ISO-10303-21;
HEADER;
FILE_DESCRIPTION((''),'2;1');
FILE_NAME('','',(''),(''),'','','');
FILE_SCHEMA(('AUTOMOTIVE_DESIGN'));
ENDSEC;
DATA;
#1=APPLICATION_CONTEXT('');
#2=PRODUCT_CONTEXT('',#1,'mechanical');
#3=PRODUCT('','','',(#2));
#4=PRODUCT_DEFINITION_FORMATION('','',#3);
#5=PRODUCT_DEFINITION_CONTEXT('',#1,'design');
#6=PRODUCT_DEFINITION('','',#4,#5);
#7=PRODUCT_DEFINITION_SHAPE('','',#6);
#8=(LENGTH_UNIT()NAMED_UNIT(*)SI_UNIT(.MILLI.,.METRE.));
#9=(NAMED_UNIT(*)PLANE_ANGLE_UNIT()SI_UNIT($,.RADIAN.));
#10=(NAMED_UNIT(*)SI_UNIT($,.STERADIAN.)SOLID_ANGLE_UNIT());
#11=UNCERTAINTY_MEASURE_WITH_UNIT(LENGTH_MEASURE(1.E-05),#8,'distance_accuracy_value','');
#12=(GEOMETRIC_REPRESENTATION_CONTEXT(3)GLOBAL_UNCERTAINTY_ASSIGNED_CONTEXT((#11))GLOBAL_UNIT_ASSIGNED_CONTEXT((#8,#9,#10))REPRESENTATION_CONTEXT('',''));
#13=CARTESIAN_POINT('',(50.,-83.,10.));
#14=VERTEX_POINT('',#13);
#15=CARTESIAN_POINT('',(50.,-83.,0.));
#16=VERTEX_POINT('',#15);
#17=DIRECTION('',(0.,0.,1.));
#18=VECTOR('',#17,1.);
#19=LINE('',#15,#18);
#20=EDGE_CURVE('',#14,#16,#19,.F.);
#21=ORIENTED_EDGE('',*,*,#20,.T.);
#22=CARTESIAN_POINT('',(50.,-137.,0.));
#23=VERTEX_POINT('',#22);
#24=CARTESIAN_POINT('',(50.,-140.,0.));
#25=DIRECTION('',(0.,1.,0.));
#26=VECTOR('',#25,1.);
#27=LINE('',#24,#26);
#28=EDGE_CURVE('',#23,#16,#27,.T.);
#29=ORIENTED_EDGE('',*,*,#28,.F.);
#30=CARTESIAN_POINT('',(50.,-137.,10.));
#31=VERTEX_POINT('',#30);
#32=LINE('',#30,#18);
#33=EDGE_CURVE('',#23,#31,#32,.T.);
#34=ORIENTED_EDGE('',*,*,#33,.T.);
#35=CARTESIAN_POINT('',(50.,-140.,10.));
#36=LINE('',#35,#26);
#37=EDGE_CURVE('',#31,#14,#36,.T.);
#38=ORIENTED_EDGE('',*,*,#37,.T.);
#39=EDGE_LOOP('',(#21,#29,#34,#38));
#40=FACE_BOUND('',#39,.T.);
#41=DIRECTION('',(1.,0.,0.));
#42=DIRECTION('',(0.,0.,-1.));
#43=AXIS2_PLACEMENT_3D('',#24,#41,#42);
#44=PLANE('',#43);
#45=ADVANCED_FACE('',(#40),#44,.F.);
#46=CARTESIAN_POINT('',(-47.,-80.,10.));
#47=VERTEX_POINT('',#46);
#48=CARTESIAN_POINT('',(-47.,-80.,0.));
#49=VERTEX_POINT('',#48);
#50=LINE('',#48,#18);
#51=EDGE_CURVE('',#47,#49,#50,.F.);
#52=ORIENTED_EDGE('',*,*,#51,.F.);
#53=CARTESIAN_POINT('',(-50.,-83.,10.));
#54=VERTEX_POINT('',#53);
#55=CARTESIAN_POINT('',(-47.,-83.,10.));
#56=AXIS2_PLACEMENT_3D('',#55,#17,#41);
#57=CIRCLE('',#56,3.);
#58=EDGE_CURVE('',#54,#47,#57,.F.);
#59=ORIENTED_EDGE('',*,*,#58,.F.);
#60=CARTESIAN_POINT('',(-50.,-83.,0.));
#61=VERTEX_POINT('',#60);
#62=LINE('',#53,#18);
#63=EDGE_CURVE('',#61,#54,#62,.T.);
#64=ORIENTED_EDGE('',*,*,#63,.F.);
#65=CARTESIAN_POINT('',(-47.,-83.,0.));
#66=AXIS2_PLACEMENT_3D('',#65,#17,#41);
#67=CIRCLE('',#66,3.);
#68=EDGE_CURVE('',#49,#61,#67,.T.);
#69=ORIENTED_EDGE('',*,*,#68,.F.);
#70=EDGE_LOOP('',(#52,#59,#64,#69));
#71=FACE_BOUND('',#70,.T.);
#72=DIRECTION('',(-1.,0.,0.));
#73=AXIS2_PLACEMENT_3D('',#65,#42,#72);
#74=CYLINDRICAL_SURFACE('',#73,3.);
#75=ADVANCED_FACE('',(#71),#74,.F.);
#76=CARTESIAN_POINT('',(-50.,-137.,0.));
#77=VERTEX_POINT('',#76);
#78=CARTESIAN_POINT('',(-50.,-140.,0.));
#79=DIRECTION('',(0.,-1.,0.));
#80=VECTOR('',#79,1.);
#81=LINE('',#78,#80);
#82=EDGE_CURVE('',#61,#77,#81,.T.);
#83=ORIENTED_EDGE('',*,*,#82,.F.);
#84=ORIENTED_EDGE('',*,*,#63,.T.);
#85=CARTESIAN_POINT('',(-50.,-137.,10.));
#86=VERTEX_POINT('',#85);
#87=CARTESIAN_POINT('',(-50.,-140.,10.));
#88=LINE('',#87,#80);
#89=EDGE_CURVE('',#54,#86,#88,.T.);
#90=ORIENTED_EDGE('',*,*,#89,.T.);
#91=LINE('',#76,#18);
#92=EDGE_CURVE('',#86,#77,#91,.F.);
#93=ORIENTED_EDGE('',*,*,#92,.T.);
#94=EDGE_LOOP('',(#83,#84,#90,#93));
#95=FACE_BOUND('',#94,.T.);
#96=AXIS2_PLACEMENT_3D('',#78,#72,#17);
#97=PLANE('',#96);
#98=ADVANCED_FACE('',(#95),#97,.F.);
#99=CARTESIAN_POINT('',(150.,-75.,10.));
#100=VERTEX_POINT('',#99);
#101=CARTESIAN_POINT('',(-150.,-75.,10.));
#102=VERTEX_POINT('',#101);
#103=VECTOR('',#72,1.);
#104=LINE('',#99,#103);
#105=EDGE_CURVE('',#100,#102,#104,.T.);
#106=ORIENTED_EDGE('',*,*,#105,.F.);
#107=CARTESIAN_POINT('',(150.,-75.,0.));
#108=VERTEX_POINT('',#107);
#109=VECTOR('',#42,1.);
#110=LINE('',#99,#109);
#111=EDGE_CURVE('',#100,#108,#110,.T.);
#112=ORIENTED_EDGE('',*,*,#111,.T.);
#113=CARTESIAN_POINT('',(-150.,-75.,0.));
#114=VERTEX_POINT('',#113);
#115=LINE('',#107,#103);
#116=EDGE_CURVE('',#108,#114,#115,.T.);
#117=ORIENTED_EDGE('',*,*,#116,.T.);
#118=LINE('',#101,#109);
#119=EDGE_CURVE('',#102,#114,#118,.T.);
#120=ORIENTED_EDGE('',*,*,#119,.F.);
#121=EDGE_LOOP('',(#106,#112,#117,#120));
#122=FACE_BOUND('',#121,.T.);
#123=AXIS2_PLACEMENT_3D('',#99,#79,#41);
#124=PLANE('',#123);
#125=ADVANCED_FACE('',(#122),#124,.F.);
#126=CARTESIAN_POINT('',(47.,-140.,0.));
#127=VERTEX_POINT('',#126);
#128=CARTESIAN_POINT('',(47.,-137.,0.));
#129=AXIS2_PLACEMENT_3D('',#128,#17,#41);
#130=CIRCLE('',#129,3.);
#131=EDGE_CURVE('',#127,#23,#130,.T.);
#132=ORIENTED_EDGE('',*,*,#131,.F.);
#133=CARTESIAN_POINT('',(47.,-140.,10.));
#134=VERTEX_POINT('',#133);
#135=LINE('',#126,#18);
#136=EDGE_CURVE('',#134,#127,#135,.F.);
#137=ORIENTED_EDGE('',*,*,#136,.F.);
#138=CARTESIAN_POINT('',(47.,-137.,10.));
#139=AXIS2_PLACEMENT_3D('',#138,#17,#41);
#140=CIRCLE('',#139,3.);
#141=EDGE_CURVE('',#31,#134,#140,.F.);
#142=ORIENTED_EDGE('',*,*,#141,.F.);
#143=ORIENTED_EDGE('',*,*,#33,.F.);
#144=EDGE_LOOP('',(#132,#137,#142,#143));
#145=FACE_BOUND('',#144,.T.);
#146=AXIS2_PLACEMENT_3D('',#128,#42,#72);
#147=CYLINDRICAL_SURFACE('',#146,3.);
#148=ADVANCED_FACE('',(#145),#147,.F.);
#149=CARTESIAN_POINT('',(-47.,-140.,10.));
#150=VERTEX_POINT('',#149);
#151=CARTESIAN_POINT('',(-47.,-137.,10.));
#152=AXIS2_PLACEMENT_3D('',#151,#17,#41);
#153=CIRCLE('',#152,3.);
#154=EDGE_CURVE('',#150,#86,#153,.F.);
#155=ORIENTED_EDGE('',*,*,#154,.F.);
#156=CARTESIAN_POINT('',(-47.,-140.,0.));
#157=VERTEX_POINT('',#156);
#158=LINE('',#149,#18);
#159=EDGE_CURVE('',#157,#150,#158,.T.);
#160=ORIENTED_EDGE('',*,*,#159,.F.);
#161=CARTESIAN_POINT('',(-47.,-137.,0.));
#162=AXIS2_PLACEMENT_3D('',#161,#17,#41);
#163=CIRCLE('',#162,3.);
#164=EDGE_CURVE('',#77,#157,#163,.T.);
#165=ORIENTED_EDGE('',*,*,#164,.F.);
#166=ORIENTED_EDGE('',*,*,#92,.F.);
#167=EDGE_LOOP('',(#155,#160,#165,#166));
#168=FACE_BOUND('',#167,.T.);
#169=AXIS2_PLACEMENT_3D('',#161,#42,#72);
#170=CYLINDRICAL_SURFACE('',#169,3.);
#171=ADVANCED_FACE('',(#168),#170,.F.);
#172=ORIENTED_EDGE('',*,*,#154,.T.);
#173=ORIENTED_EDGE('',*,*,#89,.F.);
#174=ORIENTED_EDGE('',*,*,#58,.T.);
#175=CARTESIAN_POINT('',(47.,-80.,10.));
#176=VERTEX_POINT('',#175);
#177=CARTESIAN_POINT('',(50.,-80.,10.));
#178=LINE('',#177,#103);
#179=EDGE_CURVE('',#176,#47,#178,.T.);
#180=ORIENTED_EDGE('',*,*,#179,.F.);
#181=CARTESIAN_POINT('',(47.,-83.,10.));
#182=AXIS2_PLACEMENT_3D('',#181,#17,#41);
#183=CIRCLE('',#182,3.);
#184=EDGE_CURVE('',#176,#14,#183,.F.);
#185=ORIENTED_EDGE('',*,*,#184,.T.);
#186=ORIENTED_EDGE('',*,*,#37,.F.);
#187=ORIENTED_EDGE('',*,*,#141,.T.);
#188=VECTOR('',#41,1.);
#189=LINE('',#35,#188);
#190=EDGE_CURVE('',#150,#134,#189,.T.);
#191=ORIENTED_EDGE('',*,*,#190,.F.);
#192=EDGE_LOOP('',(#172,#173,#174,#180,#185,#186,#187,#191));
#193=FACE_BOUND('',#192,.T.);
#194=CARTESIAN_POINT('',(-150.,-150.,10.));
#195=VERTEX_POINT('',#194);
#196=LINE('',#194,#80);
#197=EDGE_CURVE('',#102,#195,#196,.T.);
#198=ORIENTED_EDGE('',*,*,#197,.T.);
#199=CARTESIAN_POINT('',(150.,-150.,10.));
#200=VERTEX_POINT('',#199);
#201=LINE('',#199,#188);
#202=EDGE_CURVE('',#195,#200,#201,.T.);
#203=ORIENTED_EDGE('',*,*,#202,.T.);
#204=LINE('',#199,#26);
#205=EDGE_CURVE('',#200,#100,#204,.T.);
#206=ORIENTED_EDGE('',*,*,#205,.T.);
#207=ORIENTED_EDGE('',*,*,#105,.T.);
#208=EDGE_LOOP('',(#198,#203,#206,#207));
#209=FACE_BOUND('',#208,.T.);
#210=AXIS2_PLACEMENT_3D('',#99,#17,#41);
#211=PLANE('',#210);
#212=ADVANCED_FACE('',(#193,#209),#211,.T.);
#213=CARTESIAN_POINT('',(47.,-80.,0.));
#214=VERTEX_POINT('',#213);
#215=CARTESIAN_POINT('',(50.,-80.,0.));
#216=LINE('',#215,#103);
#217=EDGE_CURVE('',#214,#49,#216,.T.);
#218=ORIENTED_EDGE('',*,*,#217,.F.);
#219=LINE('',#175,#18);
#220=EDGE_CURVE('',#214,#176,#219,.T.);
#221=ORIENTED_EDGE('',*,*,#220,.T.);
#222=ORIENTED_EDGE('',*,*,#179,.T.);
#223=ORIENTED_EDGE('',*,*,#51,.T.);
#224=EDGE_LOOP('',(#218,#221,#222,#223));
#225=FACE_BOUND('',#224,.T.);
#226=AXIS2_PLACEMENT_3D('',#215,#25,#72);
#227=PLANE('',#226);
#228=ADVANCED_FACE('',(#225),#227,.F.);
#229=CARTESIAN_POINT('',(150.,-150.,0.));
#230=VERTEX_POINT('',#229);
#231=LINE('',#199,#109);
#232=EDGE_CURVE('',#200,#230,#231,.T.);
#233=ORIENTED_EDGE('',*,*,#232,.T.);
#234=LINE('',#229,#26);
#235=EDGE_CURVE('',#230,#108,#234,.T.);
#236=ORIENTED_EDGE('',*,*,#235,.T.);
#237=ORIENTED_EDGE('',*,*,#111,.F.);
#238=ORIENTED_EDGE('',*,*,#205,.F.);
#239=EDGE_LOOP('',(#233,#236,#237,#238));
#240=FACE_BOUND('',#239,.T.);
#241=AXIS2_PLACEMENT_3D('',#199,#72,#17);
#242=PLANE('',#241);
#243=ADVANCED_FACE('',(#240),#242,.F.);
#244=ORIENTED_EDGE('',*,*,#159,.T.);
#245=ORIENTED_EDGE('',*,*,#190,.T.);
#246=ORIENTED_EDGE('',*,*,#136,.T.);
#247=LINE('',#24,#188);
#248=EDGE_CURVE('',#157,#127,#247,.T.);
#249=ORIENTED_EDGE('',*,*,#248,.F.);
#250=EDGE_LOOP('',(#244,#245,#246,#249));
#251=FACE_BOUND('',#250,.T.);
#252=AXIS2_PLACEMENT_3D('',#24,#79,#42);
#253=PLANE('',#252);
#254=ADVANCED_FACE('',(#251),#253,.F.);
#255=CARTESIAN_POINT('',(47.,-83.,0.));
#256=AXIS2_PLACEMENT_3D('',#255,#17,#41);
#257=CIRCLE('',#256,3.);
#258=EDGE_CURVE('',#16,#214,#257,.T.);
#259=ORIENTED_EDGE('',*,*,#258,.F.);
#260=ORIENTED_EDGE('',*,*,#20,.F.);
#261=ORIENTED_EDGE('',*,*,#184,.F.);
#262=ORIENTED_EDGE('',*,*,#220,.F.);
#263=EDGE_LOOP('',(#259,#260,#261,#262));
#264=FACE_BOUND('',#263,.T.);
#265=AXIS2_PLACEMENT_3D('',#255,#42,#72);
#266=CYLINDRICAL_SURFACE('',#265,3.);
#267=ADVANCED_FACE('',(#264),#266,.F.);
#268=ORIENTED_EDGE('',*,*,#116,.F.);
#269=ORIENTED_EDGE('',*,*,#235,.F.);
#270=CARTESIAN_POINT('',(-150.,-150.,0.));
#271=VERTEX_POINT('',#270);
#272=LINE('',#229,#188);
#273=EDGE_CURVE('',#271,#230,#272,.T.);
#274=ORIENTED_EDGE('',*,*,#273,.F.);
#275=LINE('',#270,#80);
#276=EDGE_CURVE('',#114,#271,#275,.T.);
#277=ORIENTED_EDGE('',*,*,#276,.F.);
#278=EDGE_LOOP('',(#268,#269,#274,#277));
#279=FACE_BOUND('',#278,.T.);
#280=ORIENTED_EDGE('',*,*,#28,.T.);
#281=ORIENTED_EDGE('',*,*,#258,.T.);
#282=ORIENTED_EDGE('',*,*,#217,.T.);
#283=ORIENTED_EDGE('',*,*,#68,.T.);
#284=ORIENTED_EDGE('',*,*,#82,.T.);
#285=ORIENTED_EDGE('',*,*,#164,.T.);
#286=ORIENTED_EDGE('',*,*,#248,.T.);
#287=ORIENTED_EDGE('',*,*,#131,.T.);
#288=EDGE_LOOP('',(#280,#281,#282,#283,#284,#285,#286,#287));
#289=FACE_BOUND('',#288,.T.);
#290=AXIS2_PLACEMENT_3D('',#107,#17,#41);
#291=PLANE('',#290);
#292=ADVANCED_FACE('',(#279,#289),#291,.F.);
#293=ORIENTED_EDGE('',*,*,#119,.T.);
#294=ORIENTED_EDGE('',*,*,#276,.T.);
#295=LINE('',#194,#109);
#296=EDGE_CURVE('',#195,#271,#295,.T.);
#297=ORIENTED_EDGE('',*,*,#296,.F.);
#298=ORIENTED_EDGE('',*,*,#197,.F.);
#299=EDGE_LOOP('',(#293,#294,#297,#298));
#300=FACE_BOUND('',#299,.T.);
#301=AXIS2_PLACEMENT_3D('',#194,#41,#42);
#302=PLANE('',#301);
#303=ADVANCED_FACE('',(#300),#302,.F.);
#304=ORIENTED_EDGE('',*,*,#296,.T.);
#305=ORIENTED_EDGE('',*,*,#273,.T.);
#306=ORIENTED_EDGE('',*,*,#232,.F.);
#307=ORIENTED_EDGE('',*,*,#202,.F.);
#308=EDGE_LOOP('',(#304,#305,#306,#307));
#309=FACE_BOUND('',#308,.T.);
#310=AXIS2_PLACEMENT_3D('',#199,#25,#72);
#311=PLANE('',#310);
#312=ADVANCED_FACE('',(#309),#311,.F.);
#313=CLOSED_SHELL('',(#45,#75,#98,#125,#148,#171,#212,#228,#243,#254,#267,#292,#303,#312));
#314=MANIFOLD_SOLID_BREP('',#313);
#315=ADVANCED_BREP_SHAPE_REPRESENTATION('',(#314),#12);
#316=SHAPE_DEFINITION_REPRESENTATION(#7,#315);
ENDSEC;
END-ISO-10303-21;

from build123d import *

# Parameters (mm, degrees)
SKIZZE1_W                       = 300
SKIZZE1_H                       = 75
LINEAR_AUSTRAGEN1_DEPTH         = 10
SKIZZE2_W                       = 100
SKIZZE2_H                       = 60
SCHNITT_LINEAR_AUSTRAGEN1_DEPTH = 10
VERRUNDUNG1_R                   = 3


with BuildPart() as part:
    # Skizze1 → Linear austragen1 (new body)
    with BuildSketch(Plane.XY):
        with Locations((0, -112.5)):
            Rectangle(SKIZZE1_W, SKIZZE1_H)
    extrude(amount=LINEAR_AUSTRAGEN1_DEPTH)

    # Skizze2 → Schnitt-Linear austragen1 (cut)
    with BuildSketch(Plane.XY.offset(10)):
        with Locations((0, -110)):
            Rectangle(SKIZZE2_W, SKIZZE2_H)
    extrude(amount=-SCHNITT_LINEAR_AUSTRAGEN1_DEPTH, mode=Mode.SUBTRACT)

    # Verrundung1
    verrundung1_edges = [part.edges().sort_by_distance(p)[0] for p in [
        (50, -80, 5),
        (50, -140, 5),
        (-50, -140, 5),
        (-50, -80, 5),
    ]]
    fillet(verrundung1_edges, radius=VERRUNDUNG1_R)


solid = part.part
